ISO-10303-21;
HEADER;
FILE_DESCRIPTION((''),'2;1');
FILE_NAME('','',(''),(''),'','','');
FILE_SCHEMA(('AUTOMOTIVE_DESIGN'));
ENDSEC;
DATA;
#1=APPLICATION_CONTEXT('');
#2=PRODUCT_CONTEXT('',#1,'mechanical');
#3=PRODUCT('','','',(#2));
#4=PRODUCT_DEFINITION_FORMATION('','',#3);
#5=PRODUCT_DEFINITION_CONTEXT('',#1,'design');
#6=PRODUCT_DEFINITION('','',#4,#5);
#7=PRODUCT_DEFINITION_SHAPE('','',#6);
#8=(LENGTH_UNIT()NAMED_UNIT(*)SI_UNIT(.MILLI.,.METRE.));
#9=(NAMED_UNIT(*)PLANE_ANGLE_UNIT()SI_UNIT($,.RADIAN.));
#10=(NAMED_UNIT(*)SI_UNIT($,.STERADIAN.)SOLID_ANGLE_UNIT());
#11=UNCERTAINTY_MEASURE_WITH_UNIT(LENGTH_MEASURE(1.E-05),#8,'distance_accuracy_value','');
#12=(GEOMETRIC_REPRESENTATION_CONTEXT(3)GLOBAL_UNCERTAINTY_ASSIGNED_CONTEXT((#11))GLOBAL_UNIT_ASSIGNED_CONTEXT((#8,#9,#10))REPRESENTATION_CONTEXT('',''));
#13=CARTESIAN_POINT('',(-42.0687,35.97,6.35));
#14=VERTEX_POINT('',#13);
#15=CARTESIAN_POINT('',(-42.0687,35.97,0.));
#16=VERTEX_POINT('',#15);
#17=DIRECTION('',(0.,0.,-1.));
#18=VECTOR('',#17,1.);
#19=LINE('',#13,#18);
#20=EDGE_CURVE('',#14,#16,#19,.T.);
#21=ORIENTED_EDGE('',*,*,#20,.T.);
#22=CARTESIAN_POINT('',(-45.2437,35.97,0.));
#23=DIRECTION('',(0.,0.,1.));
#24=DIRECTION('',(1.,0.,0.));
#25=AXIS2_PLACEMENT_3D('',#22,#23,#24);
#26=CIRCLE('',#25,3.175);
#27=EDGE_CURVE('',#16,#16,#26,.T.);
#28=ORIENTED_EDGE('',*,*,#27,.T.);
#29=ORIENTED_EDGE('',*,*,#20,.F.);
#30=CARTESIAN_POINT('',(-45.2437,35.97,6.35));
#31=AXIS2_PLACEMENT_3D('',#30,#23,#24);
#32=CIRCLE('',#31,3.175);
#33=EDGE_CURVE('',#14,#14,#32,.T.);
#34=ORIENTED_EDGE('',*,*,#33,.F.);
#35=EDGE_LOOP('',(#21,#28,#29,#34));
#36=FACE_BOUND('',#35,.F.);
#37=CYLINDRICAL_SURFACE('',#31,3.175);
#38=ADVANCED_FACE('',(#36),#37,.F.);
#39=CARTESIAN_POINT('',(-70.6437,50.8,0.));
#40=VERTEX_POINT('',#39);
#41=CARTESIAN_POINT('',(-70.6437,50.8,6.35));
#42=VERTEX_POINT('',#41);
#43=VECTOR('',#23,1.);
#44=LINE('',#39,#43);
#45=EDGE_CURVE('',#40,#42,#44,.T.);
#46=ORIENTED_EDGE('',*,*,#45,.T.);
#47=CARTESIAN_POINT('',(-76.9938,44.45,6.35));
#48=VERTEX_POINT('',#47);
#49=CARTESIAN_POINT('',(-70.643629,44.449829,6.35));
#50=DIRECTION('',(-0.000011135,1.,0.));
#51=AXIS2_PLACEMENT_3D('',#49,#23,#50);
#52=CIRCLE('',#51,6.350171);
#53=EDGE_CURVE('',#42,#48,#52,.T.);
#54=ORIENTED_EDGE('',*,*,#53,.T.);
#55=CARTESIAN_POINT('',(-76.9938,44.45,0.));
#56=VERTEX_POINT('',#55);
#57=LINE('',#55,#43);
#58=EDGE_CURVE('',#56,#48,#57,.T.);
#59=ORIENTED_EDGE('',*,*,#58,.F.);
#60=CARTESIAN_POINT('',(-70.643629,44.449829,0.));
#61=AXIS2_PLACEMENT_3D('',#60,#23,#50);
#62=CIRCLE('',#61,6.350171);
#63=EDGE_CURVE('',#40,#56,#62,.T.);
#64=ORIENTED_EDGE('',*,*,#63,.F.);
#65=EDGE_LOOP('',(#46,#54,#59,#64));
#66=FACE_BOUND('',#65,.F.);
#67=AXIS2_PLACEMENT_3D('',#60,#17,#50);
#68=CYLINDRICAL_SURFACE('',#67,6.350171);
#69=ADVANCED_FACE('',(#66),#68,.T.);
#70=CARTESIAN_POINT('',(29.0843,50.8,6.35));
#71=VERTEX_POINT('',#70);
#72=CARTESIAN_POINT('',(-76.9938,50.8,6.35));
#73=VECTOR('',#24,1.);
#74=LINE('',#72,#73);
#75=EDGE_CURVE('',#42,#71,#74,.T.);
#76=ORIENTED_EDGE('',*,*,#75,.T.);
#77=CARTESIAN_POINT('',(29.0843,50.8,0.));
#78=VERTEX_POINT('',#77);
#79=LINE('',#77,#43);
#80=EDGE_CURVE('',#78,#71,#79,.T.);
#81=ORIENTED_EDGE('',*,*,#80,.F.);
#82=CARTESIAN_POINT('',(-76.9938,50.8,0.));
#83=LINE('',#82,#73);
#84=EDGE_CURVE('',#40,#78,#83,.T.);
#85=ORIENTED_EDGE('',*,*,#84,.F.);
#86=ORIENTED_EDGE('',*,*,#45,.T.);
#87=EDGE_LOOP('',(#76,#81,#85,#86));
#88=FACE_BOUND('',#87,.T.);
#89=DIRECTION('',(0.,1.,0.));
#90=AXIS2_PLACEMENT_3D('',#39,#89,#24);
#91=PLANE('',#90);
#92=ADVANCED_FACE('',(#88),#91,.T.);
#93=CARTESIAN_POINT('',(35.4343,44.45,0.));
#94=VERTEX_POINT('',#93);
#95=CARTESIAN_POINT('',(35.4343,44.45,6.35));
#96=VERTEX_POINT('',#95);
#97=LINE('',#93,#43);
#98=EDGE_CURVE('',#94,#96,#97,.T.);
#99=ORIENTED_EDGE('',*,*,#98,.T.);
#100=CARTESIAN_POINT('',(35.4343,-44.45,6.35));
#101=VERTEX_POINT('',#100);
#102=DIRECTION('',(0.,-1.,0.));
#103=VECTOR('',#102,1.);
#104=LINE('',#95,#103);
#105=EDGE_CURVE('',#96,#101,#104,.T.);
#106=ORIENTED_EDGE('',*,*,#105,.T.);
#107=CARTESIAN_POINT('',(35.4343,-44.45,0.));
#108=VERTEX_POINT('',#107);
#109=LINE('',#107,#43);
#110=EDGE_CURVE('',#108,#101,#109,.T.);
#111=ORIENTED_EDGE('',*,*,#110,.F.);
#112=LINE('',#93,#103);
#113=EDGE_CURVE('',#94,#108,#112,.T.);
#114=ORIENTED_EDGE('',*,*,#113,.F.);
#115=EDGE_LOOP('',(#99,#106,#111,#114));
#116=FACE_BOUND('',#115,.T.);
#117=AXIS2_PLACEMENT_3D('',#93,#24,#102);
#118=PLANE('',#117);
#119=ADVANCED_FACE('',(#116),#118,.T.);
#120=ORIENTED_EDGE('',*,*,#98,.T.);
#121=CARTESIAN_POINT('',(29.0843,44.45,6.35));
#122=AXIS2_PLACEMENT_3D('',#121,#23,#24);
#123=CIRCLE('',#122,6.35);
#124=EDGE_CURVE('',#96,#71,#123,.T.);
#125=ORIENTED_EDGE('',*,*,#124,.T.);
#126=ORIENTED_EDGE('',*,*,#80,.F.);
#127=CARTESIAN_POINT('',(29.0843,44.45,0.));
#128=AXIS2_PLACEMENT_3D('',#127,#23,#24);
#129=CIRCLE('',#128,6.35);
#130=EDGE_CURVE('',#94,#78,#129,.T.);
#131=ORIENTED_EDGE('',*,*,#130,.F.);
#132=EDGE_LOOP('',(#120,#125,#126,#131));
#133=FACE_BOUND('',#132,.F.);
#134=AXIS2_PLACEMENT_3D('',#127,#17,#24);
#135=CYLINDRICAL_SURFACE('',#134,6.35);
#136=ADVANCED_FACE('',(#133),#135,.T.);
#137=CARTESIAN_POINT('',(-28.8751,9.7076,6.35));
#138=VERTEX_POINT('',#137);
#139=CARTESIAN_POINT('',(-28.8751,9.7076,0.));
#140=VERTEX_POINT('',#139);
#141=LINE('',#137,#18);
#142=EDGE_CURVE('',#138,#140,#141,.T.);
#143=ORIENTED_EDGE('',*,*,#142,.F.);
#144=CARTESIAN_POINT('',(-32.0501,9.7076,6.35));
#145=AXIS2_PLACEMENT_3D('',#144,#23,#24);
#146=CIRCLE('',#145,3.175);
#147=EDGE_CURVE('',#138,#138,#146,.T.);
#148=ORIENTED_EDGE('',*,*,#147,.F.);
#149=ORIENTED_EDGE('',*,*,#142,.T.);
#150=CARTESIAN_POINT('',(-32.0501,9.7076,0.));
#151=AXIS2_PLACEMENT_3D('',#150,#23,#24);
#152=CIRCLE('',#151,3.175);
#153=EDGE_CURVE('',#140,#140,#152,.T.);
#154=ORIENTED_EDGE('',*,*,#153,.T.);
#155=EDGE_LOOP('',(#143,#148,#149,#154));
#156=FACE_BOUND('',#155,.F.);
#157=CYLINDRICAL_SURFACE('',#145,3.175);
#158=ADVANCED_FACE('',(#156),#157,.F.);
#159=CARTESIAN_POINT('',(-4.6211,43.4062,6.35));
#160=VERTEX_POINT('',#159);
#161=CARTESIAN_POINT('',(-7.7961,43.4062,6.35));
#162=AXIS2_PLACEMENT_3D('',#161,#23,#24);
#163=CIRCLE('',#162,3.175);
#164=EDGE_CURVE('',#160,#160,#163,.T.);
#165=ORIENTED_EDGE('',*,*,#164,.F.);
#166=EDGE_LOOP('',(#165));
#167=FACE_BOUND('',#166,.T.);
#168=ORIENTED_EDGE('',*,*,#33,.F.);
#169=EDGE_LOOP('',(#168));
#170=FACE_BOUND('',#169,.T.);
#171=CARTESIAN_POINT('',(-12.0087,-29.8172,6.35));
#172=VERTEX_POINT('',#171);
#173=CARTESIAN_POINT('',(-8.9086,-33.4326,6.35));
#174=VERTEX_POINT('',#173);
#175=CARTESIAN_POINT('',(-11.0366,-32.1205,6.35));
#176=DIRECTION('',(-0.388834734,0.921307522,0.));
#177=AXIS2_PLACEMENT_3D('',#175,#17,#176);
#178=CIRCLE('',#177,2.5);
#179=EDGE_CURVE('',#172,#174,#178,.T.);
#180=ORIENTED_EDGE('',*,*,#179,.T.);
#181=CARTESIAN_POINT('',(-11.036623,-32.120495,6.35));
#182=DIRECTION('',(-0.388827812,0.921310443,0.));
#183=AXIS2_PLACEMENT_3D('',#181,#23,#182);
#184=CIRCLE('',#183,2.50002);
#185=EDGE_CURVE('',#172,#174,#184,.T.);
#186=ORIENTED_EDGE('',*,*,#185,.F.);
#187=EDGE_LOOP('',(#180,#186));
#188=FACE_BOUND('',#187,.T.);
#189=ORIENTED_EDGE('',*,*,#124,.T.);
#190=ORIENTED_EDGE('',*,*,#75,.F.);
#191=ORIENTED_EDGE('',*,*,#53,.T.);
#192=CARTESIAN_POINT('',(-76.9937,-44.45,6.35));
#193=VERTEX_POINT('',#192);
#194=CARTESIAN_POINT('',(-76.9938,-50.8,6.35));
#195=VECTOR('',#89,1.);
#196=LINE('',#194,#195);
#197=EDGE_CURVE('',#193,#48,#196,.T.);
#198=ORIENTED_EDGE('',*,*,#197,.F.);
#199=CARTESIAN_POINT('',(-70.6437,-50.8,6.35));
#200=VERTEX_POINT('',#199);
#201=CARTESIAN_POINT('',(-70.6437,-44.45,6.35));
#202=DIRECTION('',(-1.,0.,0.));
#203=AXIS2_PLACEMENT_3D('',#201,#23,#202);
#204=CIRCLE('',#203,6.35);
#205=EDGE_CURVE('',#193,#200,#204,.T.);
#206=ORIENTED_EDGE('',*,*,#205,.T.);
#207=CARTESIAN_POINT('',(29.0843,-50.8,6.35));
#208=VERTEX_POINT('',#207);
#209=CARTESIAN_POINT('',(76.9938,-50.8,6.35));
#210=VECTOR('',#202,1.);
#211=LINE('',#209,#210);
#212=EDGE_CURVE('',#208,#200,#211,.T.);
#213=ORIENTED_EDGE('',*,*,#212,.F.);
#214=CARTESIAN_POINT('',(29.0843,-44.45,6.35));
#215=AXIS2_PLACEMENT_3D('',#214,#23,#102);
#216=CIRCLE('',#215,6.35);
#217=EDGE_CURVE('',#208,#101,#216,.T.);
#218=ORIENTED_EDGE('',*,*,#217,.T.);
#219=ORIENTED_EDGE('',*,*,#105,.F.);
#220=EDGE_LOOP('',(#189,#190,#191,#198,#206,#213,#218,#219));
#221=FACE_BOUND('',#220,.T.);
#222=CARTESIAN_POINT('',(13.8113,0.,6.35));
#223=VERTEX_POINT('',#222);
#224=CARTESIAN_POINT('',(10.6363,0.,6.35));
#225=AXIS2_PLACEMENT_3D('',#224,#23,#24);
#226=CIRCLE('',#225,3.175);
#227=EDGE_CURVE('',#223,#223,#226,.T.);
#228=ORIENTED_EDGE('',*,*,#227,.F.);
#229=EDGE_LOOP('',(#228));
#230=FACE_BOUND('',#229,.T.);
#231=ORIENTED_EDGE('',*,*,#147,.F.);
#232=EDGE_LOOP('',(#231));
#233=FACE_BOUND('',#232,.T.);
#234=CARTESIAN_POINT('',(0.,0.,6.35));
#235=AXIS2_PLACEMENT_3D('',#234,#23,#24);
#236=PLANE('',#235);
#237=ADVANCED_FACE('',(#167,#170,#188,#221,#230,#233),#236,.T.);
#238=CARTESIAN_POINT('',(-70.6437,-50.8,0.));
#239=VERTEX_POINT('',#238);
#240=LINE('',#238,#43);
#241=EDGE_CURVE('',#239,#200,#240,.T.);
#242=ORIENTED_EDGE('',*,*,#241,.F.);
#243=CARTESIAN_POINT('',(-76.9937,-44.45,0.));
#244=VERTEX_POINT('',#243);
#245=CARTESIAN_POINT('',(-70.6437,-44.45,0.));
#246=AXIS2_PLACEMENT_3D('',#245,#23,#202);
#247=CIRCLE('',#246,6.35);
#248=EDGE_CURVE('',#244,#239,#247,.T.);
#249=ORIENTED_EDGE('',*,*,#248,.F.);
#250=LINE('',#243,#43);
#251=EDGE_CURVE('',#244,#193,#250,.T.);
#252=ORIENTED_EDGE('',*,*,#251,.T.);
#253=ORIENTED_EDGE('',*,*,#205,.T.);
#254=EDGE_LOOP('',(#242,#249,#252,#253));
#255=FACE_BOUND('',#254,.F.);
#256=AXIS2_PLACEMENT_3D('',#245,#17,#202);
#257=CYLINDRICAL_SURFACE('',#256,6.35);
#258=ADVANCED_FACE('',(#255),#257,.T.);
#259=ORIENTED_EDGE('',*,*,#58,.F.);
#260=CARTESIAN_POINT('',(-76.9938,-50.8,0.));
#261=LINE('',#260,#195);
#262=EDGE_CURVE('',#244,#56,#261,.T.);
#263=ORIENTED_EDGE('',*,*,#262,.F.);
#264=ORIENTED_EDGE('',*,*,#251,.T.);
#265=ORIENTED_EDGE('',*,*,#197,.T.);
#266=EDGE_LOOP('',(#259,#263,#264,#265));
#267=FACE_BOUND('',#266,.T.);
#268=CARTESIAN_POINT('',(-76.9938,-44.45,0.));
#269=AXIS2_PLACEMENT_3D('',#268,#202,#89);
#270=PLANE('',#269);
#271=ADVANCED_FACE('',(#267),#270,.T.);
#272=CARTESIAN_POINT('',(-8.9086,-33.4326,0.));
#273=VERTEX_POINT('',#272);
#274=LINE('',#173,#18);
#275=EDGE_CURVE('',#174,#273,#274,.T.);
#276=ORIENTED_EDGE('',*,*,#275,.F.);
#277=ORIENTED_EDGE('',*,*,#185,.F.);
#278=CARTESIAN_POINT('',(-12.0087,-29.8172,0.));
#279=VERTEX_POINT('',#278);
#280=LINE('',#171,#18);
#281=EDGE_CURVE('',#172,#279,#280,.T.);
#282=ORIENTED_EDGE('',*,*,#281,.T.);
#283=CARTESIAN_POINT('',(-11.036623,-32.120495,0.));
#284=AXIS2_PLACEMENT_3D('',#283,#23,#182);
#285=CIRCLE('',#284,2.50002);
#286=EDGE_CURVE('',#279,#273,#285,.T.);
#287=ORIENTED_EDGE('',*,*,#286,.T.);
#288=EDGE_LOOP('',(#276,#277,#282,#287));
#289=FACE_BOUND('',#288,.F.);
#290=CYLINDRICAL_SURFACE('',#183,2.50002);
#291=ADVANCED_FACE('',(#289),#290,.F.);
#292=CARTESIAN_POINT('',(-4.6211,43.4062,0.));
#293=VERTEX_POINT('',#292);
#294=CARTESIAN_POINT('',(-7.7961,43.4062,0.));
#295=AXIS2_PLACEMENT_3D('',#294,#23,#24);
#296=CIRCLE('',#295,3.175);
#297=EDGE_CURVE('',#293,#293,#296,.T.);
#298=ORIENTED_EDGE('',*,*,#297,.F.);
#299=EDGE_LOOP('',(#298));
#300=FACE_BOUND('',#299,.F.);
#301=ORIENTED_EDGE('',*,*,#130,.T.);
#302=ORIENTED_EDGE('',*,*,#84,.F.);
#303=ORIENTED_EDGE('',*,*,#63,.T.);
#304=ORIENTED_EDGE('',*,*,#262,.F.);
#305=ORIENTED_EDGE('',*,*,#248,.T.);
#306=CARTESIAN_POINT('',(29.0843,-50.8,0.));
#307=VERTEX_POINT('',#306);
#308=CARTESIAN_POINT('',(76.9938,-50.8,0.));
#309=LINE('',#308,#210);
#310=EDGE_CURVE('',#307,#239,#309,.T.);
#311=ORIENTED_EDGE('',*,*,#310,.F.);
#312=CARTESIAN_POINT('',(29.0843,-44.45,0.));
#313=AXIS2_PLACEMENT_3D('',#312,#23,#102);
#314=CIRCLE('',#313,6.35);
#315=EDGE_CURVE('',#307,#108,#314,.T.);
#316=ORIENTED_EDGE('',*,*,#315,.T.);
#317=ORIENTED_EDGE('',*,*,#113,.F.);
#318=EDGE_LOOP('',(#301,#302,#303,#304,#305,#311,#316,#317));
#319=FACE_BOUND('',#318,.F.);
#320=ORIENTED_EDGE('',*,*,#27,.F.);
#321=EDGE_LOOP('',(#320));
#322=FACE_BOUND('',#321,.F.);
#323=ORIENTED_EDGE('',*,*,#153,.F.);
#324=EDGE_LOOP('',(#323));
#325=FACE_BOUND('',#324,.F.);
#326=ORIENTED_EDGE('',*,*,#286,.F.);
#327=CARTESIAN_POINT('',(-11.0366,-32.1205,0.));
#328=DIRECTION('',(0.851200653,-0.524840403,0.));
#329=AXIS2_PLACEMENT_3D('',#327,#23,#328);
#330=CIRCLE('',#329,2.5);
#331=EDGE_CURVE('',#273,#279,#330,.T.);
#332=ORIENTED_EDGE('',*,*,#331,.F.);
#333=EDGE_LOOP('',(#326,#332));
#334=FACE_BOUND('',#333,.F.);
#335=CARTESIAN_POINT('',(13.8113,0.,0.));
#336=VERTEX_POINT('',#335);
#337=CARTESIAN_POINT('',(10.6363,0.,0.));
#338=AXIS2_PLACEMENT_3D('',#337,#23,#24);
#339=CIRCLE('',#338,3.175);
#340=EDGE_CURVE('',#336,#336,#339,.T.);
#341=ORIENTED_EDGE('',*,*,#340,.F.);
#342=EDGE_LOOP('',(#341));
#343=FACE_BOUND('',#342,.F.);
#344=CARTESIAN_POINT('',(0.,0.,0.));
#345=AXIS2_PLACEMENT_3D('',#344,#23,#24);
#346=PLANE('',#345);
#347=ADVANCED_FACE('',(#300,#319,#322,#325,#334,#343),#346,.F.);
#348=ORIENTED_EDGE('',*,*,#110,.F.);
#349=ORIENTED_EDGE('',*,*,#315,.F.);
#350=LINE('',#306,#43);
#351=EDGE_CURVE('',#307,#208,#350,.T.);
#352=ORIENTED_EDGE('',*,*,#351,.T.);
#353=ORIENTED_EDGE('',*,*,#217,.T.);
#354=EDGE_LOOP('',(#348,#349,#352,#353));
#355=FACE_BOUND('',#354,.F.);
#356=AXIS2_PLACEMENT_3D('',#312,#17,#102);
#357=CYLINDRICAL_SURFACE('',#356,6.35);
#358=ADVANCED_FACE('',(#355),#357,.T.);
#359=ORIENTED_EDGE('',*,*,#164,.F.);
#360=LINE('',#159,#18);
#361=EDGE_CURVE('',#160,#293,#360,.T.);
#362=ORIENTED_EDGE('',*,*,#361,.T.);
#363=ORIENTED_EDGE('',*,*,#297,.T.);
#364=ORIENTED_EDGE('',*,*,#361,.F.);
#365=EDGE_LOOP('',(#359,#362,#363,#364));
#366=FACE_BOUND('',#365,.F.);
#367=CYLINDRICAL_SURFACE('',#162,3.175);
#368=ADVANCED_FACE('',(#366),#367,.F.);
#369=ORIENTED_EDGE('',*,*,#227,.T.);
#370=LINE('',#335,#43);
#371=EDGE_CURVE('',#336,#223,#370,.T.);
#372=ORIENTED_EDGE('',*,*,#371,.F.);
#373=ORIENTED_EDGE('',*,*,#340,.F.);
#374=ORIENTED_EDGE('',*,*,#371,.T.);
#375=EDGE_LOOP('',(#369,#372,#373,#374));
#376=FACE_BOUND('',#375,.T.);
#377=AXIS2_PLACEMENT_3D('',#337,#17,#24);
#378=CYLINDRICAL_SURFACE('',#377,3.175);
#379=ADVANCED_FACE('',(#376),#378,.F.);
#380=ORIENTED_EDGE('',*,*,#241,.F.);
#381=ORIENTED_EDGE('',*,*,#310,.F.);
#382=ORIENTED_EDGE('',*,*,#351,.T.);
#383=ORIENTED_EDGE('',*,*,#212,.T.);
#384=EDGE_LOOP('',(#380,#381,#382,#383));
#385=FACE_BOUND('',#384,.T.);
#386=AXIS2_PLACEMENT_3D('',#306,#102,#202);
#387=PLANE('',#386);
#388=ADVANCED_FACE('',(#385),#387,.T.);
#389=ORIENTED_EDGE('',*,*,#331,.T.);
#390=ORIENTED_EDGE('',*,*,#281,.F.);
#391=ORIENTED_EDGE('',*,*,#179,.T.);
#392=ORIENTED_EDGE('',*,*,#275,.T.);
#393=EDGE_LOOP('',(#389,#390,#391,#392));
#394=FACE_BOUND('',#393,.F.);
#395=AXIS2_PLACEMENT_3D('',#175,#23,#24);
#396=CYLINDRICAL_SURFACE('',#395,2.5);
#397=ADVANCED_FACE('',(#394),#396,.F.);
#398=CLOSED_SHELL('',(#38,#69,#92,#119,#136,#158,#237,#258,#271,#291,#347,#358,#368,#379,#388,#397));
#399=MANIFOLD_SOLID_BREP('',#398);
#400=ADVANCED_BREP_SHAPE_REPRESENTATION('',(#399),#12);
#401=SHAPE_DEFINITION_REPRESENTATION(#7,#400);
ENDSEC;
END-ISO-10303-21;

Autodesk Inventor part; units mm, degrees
ref_plane "YZ Plane" through (0, 0, 0) normal (1, 0, 0) x (0, 1, 0)
ref_plane "XZ Plane" through (0, 0, 0) normal (0, 1, 0) x (-1, 0, 0)
ref_plane "XY Plane" through (0, 0, 0) normal (0, 0, 1) x (1, 0, 0)
sketch "Sketch1" plane through (0, 0, 0) normal (0, 0, 1) x (1, 0, 0)
  circle A0 centre (-45.2437, 35.97) radius 1.27 projected
  circle A1 centre (-45.2437, 35.97) radius 1.27 projected
  circle A2 centre (10.6363, 0) radius 3.175 projected
  line L0 (-76.9938, -50.8) -> (-76.9938, 50.8) projected
  line L1 (76.9938, -50.8) -> (-76.9938, -50.8) projected
  line L2 (76.9938, 50.8) -> (76.9938, -50.8) projected
  line L3 (-76.9938, 50.8) -> (76.9938, 50.8) projected
  line L4 (-70.6437, 50.8) -> (29.0843, 50.8)
  line L5 (35.4343, 44.45) -> (35.4343, -44.45)
  line L6 (29.0843, -50.8) -> (-70.6437, -50.8)
  line L7 (-76.9937, -44.45) -> (-76.9938, 44.45)
  arc A3 (-70.6437, 50.8) -> (-76.9938, 44.45) centre (-70.6437, 44.45) ccw
  arc A4 (29.0843, -50.8) -> (35.4343, -44.45) centre (29.0843, -44.45) ccw
  arc A5 (35.4343, 44.45) -> (29.0843, 50.8) centre (29.0843, 44.45) ccw
  arc A6 (-76.9937, -44.45) -> (-70.6437, -50.8) centre (-70.6437, -44.45) ccw
  circle A7 centre (-7.7961, 43.4062) radius 3.175 projected
  circle A8 centre (-32.0501, 9.7076) radius 3.175 projected
  point P0 (0, 0)
  point P1 (35.4343, -50.8)
  dimension "d0" = 6.35
extrude "Extrusion1" add sketch "Sketch1" along normal blind 6.35 contours L0 A3 L3 A5 L5 A4 L1 A6 | A7 | A8
sketch "Sketch2" plane through (0, 0, 6.35) normal (0, 0, 1) x (1, 0, 0)
  circle A0 centre (-45.2437, 35.97) radius 1.27 projected
  circle A1 centre (-7.7961, 43.4062) radius 3.175 projected
  circle A2 centre (-32.0501, 9.7076) radius 3.175 projected
  circle A3 centre (-45.2437, 35.97) radius 3.175 projected
  point P0 (0, 0)
extrude "Extrusion2" cut sketch "Sketch2" against normal through all
sketch "Sketch3" plane through (0, 0, 6.35) normal (0, 0, 1) x (1, 0, 0)
  arc A0 (-12.0087, -29.8172) -> (-8.9086, -33.4326) centre (-11.0366, -32.1205) ccw projected
  circle A1 centre (-11.0366, -32.1205) radius 2.5
  point P0 (0, 0)
extrude "Extrusion3" cut sketch "Sketch3" against normal through all
properties part number "projectorMountingPlate"
